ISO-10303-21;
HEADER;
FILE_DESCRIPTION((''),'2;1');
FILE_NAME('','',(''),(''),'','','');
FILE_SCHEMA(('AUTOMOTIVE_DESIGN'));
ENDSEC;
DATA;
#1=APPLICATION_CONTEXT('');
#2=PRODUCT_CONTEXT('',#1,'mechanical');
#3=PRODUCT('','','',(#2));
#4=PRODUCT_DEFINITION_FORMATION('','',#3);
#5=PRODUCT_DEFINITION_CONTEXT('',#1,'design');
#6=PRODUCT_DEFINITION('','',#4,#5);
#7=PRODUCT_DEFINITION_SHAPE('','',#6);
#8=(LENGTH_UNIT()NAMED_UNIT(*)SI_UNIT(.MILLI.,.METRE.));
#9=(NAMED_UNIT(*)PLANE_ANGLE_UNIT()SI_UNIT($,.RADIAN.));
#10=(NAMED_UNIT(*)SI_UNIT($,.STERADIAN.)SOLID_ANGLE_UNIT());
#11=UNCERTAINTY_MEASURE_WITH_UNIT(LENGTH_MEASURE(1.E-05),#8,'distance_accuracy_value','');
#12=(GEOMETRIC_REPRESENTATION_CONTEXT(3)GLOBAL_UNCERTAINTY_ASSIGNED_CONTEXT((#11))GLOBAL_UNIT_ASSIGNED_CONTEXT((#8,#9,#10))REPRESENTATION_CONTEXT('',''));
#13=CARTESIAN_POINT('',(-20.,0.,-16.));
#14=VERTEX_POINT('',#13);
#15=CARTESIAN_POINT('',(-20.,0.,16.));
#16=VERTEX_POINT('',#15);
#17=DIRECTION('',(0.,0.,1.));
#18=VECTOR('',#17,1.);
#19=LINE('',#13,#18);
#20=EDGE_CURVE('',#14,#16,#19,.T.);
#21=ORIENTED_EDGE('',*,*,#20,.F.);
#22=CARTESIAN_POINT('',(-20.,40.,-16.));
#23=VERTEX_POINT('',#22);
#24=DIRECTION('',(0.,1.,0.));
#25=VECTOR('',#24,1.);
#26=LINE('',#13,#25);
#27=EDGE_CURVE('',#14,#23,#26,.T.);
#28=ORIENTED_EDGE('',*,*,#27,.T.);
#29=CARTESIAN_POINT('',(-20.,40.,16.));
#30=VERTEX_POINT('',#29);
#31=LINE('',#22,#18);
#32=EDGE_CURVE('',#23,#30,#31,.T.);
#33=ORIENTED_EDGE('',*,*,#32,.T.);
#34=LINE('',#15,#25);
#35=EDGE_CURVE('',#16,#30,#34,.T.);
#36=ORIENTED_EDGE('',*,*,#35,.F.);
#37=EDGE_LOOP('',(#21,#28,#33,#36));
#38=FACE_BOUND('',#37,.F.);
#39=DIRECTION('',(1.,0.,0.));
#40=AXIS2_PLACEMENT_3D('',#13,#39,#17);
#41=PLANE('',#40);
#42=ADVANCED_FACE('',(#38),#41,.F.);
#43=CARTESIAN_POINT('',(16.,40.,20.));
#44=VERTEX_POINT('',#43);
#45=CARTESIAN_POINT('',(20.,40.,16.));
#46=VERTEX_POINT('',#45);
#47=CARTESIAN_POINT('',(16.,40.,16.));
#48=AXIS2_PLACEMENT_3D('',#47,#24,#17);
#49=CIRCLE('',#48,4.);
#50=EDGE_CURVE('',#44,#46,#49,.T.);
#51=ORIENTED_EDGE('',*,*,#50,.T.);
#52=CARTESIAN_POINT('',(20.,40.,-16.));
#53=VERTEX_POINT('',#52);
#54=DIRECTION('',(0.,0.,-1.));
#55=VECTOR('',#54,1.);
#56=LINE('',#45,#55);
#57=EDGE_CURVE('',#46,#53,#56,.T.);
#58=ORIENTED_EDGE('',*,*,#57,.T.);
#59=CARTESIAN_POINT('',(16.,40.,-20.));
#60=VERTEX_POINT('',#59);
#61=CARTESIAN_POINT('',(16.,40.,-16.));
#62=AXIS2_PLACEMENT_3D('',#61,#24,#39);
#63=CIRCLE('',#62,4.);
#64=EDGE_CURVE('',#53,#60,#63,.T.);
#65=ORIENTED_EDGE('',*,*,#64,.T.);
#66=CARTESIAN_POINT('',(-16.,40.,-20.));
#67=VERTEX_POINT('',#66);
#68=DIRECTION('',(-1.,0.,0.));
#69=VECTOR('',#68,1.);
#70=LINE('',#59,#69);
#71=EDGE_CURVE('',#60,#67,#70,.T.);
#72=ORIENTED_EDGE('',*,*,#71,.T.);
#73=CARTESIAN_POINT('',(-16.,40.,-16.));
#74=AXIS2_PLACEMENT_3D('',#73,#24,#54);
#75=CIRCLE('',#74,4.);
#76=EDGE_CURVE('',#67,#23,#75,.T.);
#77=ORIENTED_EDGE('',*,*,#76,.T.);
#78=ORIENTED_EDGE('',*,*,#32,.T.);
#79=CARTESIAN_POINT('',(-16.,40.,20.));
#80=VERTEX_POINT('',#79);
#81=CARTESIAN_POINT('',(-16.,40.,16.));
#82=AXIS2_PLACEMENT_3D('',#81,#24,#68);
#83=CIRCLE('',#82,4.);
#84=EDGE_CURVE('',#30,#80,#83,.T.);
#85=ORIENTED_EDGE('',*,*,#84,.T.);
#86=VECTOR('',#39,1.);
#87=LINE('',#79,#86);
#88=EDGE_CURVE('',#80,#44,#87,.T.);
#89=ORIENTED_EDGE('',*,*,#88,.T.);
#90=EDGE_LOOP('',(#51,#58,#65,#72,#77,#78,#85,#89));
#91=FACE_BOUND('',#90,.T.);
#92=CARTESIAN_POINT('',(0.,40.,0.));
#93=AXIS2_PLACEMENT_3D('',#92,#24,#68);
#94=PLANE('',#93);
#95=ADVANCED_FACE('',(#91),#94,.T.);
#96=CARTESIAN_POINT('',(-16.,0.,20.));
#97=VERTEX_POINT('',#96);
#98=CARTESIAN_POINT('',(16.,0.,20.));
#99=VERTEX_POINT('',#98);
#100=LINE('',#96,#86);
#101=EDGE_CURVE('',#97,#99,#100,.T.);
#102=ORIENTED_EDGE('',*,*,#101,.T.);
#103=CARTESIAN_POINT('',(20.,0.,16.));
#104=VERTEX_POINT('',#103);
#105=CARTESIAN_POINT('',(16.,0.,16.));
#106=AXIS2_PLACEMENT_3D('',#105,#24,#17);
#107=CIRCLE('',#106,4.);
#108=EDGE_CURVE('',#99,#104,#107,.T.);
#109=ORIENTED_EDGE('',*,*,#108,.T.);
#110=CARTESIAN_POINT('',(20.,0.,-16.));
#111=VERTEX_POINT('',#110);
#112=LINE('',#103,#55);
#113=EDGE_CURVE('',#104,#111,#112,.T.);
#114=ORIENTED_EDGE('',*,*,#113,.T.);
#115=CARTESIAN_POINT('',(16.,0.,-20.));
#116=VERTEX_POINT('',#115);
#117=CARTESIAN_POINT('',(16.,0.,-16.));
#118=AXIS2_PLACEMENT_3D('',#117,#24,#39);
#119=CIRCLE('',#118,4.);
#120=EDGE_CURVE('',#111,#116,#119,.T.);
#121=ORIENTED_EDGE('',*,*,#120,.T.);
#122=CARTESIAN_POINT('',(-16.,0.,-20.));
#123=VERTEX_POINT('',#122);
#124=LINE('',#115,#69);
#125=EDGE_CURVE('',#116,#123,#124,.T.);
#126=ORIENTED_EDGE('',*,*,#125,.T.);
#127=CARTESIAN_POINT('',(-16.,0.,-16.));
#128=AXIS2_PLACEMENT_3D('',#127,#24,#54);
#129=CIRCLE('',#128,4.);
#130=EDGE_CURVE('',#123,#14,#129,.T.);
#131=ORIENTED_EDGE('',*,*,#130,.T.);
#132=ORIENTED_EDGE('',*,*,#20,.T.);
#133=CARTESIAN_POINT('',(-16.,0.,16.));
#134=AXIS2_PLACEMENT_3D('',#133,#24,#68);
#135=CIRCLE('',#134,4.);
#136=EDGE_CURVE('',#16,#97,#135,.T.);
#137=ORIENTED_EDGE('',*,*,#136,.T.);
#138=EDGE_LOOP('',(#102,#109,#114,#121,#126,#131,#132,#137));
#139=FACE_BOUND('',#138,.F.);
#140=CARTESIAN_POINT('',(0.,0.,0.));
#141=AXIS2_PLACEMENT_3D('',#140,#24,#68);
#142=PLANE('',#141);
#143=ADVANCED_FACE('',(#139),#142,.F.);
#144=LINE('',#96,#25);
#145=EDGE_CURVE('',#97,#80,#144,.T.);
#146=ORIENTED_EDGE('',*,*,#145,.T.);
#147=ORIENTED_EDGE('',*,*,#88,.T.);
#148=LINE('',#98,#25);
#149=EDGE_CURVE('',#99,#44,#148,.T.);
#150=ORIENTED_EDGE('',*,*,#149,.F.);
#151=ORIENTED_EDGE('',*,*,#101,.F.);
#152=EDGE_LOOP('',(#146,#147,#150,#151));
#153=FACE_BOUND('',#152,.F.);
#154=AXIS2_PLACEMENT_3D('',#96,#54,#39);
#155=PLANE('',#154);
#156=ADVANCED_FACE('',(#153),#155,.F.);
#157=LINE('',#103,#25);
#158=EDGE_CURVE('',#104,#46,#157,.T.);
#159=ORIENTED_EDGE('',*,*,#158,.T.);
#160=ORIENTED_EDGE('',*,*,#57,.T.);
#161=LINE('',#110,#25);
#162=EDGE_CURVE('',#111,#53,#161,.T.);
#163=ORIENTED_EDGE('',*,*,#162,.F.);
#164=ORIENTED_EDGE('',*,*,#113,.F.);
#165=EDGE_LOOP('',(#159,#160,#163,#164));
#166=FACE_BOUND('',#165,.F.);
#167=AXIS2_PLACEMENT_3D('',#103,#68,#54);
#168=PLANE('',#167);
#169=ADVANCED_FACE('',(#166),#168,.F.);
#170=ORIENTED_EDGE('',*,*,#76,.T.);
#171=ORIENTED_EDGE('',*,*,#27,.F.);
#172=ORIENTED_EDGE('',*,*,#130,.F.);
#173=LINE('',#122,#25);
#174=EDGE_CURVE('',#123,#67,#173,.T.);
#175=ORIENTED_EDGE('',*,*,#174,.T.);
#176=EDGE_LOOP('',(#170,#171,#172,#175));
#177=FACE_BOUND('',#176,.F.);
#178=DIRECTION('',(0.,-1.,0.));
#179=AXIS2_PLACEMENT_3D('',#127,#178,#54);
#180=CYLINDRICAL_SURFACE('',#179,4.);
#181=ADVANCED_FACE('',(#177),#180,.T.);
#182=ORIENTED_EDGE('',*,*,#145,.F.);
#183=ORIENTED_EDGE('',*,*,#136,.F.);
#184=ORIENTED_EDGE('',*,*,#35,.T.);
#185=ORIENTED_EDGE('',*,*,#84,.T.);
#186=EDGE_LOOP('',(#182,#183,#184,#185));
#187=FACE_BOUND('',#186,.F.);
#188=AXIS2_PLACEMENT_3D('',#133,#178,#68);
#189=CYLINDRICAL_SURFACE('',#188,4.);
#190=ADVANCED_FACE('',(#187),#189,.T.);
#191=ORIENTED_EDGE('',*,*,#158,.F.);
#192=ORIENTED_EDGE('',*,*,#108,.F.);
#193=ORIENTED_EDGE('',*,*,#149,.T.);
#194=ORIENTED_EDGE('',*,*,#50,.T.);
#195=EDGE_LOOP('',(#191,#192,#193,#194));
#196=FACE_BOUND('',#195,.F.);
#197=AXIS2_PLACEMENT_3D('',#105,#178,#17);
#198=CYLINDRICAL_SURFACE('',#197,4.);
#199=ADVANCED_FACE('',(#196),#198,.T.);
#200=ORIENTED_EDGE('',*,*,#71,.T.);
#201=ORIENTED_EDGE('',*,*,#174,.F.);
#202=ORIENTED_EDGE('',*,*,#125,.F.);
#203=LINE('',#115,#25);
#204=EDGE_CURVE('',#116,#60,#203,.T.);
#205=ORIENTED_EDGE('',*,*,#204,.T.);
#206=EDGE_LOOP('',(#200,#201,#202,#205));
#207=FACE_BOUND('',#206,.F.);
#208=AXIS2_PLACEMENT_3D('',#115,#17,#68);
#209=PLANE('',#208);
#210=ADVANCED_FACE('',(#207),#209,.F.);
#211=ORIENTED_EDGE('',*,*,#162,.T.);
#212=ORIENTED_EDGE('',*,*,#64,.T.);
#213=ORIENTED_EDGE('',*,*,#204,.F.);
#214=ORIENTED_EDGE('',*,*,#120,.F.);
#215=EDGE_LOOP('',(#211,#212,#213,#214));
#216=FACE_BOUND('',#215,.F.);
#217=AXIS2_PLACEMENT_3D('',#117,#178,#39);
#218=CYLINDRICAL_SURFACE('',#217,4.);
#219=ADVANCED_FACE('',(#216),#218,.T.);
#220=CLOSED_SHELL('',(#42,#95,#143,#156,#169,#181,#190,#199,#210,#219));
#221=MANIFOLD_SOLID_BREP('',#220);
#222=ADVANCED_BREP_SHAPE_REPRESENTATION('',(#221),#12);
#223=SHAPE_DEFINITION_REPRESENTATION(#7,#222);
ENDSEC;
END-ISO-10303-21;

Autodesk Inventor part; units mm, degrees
ref_plane "YZ Plane" through (0, 0, 0) normal (1, 0, 0) x (0, 1, 0)
ref_plane "XZ Plane" through (0, 0, 0) normal (0, 1, 0) x (-1, 0, 0)
ref_plane "XY Plane" through (0, 0, 0) normal (0, 0, 1) x (1, 0, 0)
sketch "Sketch1" plane through (0, 0, 0) normal (0, 1, 0) x (-1, 0, 0)
  line L0 (0, 12.4728) -> (0, -12.4728) construction
  line L1 (2.135, 0) -> (-2.135, 0) construction
  line L2 (16, 20) -> (-16, 20)
  line L3 (-20, 16) -> (-20, -16)
  line L4 (-16, -20) -> (16, -20)
  line L5 (20, -16) -> (20, 16)
  arc A0 (-16, 20) -> (-20, 16) centre (-16, 16) ccw
  arc A1 (-20, -16) -> (-16, -20) centre (-16, -16) ccw
  arc A2 (16, -20) -> (20, -16) centre (16, -16) ccw
  arc A3 (20, 16) -> (16, 20) centre (16, 16) ccw
  point P0 (0, 0)
  point P1 (0, 0)
  dimension "d1" = 4
  dimension "d2" = 4
  dimension "d3" = 40
extrude "Extrusion1" add sketch "Sketch1" along normal blind 40
properties part number "item40x40_1000"
